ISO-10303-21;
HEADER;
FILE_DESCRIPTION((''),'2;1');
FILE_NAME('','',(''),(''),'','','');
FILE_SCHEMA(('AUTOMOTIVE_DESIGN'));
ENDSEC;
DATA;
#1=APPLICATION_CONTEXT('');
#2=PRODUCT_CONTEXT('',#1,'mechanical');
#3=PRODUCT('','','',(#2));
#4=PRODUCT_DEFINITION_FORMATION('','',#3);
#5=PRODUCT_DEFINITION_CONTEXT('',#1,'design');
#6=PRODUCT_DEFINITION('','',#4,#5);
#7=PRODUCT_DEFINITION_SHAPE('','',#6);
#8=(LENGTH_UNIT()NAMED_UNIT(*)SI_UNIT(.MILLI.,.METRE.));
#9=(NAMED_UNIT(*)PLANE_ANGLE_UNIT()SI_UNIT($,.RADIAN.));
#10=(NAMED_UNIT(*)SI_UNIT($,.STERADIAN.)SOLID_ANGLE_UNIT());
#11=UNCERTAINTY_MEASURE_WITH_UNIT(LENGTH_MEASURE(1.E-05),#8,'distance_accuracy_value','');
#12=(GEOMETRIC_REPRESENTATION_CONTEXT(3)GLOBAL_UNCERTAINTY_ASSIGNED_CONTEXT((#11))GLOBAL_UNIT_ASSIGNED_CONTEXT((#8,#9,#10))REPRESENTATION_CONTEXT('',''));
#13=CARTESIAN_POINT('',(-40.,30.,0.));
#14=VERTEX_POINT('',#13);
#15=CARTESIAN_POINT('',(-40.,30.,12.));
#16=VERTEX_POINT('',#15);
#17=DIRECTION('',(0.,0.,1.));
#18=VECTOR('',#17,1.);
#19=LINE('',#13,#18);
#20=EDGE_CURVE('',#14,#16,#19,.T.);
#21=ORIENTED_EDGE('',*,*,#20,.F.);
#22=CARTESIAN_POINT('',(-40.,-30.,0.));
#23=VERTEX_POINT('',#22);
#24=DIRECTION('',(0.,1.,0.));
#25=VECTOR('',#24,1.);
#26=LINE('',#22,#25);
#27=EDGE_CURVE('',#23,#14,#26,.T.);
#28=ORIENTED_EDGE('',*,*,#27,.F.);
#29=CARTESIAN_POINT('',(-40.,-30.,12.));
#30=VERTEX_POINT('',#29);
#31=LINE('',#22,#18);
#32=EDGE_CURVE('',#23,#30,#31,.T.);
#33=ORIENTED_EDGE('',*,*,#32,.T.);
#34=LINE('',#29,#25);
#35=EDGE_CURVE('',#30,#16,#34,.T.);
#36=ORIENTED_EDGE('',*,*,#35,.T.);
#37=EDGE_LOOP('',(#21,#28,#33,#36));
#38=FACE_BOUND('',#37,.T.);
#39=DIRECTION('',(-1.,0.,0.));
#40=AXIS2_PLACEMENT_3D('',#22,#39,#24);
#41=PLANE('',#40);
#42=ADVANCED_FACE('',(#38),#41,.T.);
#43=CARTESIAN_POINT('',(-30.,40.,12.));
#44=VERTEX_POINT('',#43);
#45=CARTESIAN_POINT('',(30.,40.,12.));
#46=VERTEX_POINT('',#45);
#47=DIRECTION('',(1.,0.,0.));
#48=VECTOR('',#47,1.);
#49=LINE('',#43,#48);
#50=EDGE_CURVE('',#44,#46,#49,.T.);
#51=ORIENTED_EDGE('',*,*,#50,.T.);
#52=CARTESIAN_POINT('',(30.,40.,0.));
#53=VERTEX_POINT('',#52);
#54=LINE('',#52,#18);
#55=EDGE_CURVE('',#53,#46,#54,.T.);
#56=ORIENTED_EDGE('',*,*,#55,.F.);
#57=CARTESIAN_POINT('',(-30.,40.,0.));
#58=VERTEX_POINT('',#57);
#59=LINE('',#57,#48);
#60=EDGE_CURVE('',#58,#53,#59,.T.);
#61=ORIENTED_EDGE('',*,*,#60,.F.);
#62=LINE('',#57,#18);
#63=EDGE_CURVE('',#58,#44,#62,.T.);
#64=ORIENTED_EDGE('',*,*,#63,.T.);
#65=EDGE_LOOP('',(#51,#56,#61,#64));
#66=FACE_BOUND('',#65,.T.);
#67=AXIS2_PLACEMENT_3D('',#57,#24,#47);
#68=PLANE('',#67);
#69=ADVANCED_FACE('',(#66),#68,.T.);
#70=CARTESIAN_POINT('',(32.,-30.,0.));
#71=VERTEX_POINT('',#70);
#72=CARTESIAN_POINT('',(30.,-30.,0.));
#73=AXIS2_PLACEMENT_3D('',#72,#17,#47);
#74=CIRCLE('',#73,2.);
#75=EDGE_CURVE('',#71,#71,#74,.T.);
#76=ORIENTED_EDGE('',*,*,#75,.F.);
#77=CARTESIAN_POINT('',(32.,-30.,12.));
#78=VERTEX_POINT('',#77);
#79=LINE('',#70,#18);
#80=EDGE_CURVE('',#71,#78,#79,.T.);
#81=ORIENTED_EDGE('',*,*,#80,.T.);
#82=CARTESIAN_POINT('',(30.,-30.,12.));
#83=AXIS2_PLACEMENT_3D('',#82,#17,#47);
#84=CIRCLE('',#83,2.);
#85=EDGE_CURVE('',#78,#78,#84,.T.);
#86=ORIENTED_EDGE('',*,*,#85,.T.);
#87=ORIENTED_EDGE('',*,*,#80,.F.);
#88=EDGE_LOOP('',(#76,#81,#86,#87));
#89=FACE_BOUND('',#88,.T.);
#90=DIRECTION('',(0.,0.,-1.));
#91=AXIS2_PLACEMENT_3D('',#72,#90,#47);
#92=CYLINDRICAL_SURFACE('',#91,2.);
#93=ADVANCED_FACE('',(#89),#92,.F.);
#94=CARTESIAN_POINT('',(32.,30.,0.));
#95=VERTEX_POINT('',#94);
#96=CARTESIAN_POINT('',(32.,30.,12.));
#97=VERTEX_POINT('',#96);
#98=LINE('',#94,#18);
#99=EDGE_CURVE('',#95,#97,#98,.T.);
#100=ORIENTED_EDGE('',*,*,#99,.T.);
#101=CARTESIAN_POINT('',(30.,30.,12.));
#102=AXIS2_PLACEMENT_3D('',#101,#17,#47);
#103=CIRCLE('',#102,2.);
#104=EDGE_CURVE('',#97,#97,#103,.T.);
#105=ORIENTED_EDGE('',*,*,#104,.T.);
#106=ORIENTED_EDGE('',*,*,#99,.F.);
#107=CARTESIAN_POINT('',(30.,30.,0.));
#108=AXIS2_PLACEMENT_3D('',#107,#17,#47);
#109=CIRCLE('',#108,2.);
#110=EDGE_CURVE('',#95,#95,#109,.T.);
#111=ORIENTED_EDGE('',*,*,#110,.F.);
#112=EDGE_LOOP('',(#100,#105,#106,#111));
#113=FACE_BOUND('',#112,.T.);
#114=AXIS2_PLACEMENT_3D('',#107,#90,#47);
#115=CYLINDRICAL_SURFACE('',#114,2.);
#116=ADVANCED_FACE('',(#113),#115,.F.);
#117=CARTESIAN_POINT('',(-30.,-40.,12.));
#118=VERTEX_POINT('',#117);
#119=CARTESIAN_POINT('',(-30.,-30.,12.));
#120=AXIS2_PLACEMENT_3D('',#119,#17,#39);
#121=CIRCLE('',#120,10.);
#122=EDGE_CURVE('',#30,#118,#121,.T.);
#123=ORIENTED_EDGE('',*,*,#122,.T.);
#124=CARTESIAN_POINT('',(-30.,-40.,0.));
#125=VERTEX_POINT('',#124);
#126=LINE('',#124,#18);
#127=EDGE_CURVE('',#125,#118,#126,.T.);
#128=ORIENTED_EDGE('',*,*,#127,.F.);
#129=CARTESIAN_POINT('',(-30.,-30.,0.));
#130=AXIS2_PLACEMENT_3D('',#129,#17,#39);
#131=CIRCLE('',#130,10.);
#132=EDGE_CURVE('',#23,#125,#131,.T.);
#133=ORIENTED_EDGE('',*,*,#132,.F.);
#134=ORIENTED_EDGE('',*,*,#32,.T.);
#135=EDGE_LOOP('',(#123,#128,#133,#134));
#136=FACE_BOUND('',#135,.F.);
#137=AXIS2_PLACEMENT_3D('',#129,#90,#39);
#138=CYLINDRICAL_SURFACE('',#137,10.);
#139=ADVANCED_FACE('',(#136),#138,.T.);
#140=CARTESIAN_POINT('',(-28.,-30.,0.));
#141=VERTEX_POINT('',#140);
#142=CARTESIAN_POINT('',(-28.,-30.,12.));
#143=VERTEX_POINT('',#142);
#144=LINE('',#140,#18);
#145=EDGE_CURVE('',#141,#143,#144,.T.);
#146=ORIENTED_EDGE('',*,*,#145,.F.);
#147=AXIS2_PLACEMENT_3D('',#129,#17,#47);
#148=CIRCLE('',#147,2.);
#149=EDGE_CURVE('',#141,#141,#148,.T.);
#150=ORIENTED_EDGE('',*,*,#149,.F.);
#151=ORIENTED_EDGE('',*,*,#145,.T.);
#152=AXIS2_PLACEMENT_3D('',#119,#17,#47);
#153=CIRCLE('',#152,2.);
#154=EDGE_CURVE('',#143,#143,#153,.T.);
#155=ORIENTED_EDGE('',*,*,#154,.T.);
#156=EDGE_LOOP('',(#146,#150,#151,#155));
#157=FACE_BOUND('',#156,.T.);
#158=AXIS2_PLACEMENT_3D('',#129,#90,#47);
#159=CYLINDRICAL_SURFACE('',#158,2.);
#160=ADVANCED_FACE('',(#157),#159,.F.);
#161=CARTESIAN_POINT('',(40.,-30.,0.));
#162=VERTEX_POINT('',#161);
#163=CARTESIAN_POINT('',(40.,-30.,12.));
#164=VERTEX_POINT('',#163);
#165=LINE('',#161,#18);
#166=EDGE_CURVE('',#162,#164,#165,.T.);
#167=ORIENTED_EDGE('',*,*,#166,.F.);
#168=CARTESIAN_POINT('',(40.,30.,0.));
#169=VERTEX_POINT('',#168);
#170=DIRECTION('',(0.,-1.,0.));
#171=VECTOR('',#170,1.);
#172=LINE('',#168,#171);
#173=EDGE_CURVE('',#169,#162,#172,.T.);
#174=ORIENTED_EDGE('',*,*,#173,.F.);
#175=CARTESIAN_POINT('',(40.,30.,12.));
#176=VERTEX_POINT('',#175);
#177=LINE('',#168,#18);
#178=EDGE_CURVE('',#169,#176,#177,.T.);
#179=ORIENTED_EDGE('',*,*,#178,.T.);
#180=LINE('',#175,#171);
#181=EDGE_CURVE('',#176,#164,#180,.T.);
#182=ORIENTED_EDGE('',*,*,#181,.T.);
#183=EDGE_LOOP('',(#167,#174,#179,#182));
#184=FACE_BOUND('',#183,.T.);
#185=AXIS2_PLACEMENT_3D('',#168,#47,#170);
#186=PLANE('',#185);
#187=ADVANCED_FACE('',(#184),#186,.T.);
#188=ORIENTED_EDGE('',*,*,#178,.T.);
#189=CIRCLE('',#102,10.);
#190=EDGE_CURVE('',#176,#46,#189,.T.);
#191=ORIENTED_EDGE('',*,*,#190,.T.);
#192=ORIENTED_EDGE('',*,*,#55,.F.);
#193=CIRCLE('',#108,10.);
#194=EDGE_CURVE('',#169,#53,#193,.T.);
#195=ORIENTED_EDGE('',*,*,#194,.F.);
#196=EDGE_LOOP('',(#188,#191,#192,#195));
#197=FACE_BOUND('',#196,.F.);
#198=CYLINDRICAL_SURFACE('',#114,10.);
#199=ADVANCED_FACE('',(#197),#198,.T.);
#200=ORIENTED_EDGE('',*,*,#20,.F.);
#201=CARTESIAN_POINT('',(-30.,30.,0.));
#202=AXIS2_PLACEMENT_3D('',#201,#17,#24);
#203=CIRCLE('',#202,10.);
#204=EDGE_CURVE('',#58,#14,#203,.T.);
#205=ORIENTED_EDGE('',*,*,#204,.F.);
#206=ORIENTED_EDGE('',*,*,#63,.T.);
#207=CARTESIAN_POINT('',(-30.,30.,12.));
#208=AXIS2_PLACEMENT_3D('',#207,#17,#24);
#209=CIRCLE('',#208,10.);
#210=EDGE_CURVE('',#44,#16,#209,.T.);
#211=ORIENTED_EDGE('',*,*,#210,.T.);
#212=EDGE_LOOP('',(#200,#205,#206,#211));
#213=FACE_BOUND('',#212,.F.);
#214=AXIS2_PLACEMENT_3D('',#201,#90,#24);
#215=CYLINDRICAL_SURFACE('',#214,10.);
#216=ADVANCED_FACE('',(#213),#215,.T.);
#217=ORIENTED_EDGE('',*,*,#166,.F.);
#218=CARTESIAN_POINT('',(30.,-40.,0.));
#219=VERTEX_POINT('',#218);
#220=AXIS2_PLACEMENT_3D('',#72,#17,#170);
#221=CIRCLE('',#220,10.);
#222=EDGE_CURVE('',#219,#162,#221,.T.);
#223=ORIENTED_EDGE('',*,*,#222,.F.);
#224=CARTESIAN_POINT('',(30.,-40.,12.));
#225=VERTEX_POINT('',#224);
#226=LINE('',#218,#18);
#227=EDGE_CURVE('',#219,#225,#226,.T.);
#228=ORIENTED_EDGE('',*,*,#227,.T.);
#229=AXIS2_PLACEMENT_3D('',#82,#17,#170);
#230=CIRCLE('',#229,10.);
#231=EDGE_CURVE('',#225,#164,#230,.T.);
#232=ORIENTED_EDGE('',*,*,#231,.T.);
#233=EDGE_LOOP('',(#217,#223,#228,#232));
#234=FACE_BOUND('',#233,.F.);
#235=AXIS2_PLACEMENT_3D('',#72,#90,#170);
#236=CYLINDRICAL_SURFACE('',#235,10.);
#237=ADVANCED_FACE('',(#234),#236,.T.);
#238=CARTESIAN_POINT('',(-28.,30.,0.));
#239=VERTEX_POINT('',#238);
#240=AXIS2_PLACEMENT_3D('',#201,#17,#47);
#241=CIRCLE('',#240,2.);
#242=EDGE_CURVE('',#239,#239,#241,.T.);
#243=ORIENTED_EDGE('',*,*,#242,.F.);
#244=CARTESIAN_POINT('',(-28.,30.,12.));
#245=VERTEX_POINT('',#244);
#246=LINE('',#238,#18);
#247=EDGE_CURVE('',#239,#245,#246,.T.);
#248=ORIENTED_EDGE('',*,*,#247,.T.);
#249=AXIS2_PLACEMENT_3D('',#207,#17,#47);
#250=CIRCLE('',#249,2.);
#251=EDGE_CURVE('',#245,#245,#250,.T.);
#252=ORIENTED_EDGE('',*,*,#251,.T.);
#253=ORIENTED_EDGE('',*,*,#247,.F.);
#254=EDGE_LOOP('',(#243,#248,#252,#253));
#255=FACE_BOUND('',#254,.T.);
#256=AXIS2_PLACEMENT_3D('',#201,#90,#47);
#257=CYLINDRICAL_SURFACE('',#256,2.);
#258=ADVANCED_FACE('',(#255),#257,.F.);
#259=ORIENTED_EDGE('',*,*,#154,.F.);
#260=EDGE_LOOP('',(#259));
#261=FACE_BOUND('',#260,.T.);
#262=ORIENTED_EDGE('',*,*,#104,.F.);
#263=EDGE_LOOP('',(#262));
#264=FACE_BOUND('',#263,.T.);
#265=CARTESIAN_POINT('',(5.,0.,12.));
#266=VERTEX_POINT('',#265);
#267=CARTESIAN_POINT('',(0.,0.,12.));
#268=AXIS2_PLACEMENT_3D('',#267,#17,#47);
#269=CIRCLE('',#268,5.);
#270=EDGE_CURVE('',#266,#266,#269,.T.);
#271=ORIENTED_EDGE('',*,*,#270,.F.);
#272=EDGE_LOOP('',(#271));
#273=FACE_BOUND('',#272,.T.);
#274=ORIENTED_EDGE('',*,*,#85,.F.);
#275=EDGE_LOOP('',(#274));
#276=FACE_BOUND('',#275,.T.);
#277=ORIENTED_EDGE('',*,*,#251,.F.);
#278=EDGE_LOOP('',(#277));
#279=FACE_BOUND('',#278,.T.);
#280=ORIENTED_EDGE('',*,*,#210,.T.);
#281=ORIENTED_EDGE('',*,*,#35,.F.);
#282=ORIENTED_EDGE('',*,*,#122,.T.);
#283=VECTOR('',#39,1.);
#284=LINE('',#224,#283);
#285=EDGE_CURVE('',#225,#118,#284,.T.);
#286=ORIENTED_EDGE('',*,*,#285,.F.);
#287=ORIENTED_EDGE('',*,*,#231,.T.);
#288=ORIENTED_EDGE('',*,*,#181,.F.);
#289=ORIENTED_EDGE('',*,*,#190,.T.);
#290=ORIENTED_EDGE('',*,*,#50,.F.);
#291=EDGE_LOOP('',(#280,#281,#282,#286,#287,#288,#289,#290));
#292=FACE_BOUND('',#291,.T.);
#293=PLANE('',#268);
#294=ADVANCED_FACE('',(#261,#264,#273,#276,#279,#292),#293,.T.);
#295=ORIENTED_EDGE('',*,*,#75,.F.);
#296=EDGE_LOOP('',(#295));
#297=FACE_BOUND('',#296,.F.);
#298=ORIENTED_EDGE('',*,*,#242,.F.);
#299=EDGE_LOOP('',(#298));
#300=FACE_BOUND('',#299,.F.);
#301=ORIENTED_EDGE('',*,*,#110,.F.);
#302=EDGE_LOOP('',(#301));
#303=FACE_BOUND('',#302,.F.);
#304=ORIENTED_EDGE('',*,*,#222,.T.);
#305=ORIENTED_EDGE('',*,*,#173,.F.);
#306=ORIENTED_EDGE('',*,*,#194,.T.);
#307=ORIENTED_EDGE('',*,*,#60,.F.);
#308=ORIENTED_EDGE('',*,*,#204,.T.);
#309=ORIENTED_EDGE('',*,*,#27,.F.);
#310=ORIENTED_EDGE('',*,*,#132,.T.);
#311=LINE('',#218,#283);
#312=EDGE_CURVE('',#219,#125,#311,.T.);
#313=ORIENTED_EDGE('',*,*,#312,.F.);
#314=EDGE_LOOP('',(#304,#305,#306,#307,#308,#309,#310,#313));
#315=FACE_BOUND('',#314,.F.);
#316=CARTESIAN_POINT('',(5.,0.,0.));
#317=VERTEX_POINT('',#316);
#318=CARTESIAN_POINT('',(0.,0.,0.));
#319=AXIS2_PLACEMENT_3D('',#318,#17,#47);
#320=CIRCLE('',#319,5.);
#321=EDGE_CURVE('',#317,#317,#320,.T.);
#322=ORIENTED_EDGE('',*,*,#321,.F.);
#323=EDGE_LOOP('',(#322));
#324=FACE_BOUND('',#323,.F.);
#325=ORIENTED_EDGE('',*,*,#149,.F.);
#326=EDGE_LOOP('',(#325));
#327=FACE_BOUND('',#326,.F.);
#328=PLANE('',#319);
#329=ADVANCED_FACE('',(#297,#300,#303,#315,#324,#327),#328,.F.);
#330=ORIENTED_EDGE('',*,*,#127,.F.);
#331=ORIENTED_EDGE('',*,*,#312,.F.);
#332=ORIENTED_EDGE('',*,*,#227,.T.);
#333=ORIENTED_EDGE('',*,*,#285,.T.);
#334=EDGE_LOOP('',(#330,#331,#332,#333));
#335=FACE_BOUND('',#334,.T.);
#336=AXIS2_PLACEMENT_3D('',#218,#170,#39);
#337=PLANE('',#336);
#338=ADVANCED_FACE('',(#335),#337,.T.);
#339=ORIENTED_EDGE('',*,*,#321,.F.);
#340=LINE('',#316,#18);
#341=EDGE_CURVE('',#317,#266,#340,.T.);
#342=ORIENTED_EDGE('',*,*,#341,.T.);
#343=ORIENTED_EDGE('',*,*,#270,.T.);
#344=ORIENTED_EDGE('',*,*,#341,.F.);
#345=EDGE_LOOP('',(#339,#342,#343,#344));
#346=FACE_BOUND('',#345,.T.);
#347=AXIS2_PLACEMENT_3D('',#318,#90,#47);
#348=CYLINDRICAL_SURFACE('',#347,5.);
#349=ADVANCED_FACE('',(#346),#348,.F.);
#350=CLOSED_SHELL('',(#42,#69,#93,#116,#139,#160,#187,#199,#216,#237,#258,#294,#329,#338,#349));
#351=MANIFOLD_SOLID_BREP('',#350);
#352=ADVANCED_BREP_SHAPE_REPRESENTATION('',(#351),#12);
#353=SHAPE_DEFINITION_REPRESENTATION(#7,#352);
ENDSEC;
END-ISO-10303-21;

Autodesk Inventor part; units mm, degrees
ref_plane "YZ Plane" through (0, 0, 0) normal (1, 0, 0) x (0, 1, 0)
ref_plane "XZ Plane" through (0, 0, 0) normal (0, 1, 0) x (-1, 0, 0)
ref_plane "Plano de trabalho1" through (0, 0, 0) normal (0, 0, 1) x (1, 0, 0)
sketch "Esboço1" plane through (0, 0, 0) normal (0, 0, 1) x (1, 0, 0)
  arc A0 (-40, -30) -> (-30, -40) centre (-30, -30) ccw
  line L0 (30, -40) -> (-30, -40)
  arc A1 (30, -40) -> (40, -30) centre (30, -30) ccw
  line L1 (40, 30) -> (40, -30)
  arc A2 (40, 30) -> (30, 40) centre (30, 30) ccw
  line L2 (-30, 40) -> (30, 40)
  arc A3 (-30, 40) -> (-40, 30) centre (-30, 30) ccw
  line L3 (-40, -30) -> (-40, 30)
  circle A4 centre (0, 0) radius 5
  circle A5 centre (0, 0) radius 5
  circle A6 centre (30, 30) radius 2
  circle A7 centre (30, -30) radius 2
  circle A8 centre (-30, -30) radius 2
  circle A9 centre (-30, 30) radius 2
  point P0 (0, 0)
  dimension "d0" = 10
  dimension "d3" = 4
  dimension "d4" = 4
  dimension "d5" = 4
  dimension "d6" = 4
extrude "Extrusão1" add sketch "Esboço1" along normal blind 12
equation "\"d3\" = d6"
equation "\"d4\" = d6"
equation "\"d5\" = d6"
properties part number "corpo_01a"
